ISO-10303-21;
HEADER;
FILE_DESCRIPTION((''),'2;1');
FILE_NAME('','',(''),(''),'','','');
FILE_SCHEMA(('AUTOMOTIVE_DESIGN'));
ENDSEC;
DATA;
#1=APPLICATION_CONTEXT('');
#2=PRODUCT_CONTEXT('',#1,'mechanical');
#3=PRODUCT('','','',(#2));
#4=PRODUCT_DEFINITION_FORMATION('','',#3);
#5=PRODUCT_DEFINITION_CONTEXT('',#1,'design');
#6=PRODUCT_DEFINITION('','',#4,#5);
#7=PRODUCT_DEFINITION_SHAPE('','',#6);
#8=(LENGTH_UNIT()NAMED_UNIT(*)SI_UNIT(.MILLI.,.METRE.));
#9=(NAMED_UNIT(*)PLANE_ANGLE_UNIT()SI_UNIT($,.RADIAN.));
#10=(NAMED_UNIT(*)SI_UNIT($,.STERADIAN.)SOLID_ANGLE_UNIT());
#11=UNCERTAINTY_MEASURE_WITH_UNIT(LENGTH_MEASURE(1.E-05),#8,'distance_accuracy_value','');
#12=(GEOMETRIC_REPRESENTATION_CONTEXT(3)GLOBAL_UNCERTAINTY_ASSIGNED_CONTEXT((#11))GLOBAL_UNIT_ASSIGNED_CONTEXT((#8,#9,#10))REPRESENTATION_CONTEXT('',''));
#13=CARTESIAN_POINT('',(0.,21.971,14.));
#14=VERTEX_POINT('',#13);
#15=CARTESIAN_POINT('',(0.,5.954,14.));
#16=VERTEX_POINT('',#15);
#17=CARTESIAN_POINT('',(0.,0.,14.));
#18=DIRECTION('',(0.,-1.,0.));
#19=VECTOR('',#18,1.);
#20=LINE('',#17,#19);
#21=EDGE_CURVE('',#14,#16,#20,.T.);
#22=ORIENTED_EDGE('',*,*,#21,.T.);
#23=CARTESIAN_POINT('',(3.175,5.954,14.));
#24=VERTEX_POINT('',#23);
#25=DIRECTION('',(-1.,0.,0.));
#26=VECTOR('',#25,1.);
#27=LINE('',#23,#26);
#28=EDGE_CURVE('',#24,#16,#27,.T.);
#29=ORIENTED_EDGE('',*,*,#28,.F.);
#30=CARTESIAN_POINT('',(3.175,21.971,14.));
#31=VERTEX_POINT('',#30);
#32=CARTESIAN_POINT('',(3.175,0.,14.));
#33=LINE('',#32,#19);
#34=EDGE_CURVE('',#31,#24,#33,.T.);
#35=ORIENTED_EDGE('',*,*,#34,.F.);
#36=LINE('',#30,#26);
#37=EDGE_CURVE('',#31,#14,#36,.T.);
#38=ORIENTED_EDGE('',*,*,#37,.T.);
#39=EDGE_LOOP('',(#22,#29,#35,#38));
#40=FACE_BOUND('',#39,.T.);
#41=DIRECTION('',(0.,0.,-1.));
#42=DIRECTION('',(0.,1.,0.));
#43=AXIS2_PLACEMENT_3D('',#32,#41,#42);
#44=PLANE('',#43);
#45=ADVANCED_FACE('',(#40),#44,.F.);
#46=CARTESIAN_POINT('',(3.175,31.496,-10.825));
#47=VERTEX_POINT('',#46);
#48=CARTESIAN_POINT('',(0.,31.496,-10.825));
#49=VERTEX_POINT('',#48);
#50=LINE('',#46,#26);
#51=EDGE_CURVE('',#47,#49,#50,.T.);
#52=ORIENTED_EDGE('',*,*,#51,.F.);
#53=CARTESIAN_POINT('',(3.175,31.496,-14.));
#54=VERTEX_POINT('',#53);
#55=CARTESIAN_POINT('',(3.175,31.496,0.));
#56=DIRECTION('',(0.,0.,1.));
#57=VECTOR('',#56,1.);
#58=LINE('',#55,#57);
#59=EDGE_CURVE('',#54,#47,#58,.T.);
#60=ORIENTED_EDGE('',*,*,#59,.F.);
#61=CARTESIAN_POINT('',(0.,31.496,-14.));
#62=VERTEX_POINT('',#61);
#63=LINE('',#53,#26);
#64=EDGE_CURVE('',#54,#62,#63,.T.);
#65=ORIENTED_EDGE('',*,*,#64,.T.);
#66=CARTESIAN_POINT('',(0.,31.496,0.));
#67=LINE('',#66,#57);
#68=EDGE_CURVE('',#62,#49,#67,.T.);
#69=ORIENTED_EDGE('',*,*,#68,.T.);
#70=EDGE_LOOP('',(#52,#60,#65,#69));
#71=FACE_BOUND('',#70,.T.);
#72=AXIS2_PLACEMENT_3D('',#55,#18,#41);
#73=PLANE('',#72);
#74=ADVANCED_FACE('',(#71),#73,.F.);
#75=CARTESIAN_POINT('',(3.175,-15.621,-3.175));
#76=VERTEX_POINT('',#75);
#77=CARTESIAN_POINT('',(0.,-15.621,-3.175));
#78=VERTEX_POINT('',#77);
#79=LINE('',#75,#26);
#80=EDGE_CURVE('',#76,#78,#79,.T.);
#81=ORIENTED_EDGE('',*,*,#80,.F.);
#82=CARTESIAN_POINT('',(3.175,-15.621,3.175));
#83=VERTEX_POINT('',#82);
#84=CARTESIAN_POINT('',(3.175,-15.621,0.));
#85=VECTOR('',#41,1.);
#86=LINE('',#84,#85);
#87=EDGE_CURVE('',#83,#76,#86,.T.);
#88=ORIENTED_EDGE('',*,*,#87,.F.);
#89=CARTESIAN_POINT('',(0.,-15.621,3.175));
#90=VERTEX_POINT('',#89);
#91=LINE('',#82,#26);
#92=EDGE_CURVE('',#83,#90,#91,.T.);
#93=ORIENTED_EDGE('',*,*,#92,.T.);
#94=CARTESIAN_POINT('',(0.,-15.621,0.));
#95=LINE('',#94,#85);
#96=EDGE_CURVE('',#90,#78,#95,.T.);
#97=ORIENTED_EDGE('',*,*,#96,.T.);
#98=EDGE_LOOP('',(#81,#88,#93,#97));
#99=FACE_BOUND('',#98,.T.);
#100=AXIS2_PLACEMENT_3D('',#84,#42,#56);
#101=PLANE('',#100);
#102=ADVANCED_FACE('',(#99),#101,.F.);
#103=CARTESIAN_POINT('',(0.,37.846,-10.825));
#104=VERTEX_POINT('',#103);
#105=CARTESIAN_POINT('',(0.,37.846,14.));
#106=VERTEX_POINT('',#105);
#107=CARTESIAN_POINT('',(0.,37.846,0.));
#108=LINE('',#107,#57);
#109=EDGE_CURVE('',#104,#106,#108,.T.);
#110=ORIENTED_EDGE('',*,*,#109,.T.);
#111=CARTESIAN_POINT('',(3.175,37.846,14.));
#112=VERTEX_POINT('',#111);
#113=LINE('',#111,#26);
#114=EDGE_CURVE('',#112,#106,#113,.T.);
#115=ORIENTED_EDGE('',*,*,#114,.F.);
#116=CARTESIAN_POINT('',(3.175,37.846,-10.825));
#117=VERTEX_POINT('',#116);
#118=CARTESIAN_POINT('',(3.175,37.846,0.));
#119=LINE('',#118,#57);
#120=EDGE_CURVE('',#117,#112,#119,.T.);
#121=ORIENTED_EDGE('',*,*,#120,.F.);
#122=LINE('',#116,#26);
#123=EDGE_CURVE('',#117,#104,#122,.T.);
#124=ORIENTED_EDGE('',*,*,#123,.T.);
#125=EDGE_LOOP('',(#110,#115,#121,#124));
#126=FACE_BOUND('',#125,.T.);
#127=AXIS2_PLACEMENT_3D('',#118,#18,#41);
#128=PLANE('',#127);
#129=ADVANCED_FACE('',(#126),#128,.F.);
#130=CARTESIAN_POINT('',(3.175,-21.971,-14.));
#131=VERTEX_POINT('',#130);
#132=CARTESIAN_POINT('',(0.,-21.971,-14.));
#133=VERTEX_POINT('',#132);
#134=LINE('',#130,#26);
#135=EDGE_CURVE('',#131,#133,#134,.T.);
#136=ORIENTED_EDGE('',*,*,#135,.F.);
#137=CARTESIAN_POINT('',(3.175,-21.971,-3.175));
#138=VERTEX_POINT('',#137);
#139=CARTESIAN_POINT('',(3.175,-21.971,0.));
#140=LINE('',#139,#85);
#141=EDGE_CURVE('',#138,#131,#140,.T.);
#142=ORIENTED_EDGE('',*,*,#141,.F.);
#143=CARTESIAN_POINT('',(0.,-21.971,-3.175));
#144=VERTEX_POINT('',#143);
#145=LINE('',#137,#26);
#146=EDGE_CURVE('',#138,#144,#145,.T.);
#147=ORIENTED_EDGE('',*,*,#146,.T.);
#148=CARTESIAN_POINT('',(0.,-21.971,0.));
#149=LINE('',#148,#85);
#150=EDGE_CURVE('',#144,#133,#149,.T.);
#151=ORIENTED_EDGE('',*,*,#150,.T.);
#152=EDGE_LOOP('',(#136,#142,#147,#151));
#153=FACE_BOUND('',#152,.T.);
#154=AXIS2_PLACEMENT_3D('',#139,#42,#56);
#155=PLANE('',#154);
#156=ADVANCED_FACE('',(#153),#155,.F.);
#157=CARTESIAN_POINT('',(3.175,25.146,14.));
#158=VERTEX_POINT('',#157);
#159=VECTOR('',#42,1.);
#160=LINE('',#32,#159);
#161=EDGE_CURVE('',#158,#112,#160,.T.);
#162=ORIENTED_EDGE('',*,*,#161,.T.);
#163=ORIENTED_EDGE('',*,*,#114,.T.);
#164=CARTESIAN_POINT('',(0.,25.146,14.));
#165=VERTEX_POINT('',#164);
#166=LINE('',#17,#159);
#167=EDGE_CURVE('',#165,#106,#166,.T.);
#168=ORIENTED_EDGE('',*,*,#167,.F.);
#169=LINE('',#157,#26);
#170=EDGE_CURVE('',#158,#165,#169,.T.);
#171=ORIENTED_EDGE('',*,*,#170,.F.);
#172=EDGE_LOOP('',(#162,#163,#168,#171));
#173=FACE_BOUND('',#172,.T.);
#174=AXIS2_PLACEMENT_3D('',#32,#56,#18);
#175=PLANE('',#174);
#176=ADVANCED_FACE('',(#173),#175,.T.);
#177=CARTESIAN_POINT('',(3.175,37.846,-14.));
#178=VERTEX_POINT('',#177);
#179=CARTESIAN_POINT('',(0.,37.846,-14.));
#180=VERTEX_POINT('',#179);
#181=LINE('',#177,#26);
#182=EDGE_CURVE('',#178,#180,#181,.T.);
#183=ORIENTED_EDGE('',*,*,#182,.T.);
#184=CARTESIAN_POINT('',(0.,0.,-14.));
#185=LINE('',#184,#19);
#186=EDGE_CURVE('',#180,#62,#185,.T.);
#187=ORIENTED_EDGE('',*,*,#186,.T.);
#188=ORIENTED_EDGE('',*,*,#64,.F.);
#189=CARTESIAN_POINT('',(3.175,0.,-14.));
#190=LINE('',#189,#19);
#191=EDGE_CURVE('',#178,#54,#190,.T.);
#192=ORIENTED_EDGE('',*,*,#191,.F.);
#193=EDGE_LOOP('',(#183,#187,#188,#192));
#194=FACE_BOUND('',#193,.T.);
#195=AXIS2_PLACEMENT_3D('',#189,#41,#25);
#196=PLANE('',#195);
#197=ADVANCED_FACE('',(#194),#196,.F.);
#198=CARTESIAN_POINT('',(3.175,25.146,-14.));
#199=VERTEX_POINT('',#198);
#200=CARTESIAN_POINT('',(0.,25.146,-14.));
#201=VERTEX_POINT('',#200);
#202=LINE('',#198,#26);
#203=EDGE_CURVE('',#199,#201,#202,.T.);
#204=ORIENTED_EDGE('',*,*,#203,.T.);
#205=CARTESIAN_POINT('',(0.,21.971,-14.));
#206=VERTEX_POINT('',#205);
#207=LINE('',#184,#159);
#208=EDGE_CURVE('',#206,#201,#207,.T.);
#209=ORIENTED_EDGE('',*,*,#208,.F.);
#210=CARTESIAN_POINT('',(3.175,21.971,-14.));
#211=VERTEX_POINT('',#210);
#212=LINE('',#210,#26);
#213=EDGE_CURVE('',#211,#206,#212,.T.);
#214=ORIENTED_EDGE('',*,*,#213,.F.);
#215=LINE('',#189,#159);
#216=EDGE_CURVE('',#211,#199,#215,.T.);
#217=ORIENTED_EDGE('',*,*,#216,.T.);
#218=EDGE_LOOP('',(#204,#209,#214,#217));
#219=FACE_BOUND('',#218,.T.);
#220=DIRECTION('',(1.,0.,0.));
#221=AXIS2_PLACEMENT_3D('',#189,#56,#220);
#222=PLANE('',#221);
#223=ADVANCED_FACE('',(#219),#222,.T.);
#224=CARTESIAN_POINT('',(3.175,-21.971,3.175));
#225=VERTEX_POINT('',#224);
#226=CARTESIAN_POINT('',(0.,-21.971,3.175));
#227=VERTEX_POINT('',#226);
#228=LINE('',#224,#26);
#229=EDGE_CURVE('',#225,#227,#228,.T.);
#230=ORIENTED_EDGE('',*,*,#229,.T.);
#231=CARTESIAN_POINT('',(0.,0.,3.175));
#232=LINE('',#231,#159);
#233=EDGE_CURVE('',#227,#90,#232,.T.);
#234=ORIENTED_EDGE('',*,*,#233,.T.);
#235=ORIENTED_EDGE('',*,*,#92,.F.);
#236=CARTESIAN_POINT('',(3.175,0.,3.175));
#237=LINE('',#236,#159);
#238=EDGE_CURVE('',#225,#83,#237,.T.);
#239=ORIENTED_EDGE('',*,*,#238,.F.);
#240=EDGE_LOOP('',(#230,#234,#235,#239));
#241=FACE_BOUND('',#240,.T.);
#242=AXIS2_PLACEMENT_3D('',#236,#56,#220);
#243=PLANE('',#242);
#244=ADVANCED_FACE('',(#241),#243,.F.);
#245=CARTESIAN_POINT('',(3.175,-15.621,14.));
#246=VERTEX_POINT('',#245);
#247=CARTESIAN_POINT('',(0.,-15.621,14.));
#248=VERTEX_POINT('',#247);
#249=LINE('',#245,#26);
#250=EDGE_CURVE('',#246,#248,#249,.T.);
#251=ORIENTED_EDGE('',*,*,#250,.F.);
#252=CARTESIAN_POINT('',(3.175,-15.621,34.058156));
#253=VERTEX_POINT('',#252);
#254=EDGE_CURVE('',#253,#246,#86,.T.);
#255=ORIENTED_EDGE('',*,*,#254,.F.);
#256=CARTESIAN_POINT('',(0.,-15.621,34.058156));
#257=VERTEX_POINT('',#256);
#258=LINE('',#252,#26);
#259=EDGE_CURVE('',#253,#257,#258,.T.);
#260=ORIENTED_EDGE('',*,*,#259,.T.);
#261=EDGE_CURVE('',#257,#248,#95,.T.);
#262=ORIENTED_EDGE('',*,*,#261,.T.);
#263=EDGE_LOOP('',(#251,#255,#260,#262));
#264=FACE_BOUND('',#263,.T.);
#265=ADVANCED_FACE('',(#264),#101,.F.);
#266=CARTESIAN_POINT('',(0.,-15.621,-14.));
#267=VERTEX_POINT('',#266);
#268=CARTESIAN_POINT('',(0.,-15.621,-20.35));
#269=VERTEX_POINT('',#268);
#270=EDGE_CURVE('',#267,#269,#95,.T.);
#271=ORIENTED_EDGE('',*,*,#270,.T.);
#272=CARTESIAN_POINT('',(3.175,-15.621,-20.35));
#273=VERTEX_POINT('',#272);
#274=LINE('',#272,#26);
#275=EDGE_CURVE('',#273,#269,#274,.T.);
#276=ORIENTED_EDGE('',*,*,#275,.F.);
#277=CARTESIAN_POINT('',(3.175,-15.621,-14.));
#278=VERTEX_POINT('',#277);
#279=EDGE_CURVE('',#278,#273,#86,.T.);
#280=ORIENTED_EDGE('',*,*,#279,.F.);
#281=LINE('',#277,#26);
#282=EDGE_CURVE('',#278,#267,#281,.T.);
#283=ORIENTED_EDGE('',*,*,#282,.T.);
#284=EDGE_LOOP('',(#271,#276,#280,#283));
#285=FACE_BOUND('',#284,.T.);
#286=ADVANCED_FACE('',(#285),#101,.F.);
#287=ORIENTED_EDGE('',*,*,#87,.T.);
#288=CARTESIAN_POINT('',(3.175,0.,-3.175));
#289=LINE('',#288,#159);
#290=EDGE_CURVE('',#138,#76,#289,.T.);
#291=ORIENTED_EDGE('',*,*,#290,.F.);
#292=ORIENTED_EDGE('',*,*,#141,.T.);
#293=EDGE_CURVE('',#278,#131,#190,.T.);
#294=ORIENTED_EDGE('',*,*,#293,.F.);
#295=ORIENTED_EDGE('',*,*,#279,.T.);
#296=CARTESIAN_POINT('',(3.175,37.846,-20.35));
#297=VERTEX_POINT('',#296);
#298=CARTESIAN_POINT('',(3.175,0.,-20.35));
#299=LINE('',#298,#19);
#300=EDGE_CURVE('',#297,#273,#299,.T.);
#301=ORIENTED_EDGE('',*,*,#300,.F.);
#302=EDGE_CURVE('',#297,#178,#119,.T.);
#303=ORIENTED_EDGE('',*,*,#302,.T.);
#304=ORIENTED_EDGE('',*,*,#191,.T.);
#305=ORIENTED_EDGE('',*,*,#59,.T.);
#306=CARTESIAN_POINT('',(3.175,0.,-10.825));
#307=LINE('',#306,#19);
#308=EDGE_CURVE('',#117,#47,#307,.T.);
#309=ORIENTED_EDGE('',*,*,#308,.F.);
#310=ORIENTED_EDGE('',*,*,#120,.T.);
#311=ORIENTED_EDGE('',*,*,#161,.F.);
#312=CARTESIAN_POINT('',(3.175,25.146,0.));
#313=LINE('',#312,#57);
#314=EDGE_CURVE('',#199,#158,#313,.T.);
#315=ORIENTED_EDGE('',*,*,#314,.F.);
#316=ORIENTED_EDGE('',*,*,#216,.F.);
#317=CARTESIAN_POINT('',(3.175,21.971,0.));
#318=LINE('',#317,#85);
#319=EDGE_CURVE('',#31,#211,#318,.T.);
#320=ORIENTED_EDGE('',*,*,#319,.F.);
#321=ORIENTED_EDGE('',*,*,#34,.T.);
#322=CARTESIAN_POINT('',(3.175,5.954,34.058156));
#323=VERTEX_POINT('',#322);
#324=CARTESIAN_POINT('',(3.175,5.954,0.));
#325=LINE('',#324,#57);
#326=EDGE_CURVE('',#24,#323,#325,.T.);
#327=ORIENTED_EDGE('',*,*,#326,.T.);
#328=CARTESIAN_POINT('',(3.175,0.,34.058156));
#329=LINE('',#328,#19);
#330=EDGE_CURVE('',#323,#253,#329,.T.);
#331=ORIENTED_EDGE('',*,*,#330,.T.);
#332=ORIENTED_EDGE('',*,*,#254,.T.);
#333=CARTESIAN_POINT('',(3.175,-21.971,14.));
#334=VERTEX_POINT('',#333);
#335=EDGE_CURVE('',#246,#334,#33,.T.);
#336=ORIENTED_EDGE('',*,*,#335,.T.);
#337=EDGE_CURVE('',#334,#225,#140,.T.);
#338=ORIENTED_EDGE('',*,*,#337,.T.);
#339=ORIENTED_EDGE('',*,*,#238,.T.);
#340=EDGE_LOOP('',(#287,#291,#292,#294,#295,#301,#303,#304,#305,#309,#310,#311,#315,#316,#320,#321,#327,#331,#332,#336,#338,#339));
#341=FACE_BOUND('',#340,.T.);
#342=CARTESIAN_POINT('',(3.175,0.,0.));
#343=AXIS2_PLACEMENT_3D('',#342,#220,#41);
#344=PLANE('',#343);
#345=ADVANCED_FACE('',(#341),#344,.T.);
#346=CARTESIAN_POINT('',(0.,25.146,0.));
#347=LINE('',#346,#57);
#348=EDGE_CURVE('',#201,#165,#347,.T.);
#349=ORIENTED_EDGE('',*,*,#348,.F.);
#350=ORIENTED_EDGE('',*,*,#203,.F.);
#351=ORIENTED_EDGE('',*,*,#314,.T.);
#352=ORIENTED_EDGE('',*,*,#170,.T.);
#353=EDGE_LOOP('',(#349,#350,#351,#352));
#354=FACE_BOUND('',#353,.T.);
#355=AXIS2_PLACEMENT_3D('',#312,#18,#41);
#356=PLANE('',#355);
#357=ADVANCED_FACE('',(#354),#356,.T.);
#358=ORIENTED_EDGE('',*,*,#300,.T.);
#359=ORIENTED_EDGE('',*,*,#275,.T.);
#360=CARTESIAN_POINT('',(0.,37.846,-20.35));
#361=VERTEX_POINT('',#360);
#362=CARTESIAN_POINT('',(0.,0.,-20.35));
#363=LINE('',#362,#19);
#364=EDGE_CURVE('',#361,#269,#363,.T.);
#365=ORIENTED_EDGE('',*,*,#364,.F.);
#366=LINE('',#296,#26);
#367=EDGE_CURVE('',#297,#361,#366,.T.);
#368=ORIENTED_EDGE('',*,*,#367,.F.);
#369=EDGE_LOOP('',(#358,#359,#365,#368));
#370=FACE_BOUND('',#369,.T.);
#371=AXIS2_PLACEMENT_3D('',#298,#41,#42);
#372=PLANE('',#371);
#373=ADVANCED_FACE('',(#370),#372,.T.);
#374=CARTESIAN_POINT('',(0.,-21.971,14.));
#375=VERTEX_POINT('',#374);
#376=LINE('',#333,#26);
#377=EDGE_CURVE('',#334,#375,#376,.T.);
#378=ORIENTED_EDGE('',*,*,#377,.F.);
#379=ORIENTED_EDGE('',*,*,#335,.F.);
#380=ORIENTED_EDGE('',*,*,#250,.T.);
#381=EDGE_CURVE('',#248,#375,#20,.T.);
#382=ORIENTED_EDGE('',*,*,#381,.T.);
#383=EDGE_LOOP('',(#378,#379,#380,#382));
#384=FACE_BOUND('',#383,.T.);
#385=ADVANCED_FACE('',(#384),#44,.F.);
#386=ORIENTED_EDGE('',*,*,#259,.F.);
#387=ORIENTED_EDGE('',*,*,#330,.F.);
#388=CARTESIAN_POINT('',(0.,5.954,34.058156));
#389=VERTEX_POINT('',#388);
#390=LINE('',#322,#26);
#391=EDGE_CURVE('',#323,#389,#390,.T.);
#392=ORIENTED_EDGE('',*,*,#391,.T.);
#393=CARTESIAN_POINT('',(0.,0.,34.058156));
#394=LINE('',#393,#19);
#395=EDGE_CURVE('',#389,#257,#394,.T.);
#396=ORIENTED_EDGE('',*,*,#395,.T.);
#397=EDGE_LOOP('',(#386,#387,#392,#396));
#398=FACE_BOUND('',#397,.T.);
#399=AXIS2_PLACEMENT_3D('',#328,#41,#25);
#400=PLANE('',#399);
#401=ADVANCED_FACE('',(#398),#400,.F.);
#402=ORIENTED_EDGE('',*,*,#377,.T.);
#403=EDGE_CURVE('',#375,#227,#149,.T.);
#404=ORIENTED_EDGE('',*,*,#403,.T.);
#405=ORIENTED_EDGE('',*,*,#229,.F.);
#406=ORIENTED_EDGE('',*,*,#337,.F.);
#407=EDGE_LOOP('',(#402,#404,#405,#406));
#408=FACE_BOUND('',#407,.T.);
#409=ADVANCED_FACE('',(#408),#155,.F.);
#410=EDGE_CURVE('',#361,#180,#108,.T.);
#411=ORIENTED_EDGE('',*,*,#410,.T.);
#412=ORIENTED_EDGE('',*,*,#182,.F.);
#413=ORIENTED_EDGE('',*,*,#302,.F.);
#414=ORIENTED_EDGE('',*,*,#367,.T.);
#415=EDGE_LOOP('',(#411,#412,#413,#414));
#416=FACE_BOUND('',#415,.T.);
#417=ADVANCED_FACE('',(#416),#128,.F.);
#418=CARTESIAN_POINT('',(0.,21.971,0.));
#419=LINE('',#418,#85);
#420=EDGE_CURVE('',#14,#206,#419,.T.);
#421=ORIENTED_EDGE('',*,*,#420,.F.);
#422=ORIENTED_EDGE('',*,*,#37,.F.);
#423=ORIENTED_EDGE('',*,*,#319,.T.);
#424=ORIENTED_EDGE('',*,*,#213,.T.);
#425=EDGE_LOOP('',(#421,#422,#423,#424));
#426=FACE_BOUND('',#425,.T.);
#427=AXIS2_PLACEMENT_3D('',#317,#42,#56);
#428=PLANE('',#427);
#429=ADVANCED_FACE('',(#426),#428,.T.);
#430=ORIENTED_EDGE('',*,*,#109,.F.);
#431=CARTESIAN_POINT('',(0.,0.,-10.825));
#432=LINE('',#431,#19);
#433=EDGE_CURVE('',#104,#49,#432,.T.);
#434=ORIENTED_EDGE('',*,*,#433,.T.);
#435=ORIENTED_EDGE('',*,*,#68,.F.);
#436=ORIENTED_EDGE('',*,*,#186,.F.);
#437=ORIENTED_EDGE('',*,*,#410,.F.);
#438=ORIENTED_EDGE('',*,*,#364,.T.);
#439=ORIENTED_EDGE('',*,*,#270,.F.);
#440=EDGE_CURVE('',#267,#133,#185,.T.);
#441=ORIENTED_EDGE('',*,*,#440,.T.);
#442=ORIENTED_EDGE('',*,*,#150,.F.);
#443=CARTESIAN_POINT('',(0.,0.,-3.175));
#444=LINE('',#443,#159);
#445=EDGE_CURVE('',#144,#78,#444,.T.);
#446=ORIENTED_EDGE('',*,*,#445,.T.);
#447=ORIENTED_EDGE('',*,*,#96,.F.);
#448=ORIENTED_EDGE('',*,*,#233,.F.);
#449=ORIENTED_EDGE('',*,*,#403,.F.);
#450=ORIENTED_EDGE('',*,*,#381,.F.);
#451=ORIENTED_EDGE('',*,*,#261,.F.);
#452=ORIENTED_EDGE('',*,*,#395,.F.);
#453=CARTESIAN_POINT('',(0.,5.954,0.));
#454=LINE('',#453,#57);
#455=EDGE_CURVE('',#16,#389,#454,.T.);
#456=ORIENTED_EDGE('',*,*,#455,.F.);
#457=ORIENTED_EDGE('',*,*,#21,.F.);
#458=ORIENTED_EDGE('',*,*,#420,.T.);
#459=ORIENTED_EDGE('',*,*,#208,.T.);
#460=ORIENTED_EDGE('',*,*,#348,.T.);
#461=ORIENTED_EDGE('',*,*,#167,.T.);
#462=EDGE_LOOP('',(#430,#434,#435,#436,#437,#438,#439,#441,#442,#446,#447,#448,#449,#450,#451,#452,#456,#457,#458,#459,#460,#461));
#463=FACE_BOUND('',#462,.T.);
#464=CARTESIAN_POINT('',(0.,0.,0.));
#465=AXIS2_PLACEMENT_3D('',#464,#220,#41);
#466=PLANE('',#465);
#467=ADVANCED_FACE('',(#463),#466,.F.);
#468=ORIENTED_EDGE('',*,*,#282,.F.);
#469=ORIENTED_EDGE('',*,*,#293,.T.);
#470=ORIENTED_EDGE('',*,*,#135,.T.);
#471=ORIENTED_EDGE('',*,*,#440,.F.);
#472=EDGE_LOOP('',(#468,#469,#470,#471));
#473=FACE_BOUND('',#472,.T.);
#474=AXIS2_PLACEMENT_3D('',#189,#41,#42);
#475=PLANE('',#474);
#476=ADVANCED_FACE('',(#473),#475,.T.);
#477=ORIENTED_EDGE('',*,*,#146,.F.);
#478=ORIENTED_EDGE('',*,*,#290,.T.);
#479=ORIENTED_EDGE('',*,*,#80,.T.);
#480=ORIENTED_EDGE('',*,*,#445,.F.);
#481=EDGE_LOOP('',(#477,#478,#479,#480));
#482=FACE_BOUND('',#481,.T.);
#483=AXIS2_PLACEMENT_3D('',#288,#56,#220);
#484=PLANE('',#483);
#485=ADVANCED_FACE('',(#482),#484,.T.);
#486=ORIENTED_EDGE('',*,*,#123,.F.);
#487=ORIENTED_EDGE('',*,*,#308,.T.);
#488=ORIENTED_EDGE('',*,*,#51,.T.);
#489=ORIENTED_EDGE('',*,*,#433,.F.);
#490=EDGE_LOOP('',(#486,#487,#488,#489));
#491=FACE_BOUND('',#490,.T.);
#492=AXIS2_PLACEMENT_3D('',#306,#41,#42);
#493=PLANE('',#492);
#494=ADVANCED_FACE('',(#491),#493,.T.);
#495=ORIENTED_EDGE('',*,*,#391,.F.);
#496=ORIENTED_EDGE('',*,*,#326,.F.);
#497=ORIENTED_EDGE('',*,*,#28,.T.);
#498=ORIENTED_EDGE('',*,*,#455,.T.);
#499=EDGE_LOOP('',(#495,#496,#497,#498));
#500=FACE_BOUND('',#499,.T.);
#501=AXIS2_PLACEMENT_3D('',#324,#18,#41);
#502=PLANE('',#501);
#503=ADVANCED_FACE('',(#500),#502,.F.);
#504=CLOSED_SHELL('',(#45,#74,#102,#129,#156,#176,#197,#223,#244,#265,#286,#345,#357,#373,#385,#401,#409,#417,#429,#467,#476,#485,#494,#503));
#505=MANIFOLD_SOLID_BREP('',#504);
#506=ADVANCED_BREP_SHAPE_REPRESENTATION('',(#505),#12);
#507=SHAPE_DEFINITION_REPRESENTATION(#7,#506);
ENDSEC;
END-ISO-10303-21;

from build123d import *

# Parameters (mm, degrees)
BOSS_EXTRUDE1_DEPTH = 3.175


with BuildPart() as part:
    # Sketch1 → Boss-Extrude1 (new body)
    with BuildSketch(Plane(origin=(0, 0, 0), x_dir=(0, 0, -1), z_dir=(1, 0, 0))):
        Polygon((14, -21.971), (14, -15.621), (20.35, -15.621), (20.35, 37.846), (14, 37.846), (14, 31.496), (10.825, 31.496), (10.825, 37.846), (-14, 37.846), (-14, 25.146), (14, 25.146), (14, 21.971), (-14, 21.971), (-14, 5.954), (-34.058155972, 5.954), (-34.058155972, -15.621), (-14, -15.621), (-14, -21.971), (-3.175, -21.971), (-3.175, -15.621), (3.175, -15.621), (3.175, -21.971), align=None)
    extrude(amount=BOSS_EXTRUDE1_DEPTH)


solid = part.part
